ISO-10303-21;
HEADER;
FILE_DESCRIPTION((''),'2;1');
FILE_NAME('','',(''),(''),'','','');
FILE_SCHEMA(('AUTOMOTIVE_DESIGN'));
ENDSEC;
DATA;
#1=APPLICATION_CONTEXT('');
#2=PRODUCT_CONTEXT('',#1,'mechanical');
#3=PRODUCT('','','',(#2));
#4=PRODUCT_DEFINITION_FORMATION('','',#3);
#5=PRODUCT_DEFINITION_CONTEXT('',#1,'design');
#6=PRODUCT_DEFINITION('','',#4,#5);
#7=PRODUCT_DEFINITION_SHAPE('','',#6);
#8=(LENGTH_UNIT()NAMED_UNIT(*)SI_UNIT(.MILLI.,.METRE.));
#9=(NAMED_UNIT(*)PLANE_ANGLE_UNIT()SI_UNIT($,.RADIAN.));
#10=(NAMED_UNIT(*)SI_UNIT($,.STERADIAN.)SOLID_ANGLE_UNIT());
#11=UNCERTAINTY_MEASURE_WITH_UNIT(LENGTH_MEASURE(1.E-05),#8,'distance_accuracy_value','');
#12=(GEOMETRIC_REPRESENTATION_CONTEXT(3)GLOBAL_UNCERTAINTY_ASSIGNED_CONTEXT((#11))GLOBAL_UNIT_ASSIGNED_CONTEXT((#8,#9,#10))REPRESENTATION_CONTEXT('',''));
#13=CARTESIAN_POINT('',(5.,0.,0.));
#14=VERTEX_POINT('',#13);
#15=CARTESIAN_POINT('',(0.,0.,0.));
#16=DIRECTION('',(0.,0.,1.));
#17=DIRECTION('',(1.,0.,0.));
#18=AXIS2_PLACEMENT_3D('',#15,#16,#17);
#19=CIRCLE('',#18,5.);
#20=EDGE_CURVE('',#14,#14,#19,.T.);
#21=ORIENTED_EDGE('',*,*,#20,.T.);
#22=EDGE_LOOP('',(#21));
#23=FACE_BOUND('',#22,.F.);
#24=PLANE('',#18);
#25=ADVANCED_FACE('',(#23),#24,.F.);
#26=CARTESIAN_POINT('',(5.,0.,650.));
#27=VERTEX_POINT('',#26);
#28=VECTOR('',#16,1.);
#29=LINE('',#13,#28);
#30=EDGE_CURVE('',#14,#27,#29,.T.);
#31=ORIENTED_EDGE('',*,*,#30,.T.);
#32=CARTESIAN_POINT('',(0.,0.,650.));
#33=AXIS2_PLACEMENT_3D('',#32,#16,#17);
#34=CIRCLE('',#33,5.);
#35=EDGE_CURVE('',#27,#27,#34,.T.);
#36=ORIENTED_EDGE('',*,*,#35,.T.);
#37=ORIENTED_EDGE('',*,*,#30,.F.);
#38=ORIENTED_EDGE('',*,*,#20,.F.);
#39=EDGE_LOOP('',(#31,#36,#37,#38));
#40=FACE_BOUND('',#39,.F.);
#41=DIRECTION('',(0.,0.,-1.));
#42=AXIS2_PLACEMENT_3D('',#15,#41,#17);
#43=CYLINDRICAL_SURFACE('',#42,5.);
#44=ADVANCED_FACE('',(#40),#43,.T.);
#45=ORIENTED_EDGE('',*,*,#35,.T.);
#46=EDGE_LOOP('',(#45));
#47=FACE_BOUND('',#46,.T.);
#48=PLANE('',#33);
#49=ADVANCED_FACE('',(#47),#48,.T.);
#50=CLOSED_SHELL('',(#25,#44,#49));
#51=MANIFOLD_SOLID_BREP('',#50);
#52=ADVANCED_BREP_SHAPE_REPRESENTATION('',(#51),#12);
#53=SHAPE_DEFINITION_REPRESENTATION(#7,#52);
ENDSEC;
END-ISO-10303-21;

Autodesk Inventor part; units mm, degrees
ref_plane "YZ Plane" through (0, 0, 0) normal (1, 0, 0) x (0, 1, 0)
ref_plane "XZ Plane" through (0, 0, 0) normal (0, 1, 0) x (-1, 0, 0)
ref_plane "XY Plane" through (0, 0, 0) normal (0, 0, 1) x (1, 0, 0)
sketch "Sketch1" plane through (0, 0, 0) normal (0, 0, 1) x (1, 0, 0)
  circle A0 centre (0, 0) radius 5
  dimension "d0" = 10
extrude "Extrusion1" add sketch "Sketch1" along normal blind 650
properties part number "Quick Shaft 12mm x 500mm" material "Steel, Carbon"
